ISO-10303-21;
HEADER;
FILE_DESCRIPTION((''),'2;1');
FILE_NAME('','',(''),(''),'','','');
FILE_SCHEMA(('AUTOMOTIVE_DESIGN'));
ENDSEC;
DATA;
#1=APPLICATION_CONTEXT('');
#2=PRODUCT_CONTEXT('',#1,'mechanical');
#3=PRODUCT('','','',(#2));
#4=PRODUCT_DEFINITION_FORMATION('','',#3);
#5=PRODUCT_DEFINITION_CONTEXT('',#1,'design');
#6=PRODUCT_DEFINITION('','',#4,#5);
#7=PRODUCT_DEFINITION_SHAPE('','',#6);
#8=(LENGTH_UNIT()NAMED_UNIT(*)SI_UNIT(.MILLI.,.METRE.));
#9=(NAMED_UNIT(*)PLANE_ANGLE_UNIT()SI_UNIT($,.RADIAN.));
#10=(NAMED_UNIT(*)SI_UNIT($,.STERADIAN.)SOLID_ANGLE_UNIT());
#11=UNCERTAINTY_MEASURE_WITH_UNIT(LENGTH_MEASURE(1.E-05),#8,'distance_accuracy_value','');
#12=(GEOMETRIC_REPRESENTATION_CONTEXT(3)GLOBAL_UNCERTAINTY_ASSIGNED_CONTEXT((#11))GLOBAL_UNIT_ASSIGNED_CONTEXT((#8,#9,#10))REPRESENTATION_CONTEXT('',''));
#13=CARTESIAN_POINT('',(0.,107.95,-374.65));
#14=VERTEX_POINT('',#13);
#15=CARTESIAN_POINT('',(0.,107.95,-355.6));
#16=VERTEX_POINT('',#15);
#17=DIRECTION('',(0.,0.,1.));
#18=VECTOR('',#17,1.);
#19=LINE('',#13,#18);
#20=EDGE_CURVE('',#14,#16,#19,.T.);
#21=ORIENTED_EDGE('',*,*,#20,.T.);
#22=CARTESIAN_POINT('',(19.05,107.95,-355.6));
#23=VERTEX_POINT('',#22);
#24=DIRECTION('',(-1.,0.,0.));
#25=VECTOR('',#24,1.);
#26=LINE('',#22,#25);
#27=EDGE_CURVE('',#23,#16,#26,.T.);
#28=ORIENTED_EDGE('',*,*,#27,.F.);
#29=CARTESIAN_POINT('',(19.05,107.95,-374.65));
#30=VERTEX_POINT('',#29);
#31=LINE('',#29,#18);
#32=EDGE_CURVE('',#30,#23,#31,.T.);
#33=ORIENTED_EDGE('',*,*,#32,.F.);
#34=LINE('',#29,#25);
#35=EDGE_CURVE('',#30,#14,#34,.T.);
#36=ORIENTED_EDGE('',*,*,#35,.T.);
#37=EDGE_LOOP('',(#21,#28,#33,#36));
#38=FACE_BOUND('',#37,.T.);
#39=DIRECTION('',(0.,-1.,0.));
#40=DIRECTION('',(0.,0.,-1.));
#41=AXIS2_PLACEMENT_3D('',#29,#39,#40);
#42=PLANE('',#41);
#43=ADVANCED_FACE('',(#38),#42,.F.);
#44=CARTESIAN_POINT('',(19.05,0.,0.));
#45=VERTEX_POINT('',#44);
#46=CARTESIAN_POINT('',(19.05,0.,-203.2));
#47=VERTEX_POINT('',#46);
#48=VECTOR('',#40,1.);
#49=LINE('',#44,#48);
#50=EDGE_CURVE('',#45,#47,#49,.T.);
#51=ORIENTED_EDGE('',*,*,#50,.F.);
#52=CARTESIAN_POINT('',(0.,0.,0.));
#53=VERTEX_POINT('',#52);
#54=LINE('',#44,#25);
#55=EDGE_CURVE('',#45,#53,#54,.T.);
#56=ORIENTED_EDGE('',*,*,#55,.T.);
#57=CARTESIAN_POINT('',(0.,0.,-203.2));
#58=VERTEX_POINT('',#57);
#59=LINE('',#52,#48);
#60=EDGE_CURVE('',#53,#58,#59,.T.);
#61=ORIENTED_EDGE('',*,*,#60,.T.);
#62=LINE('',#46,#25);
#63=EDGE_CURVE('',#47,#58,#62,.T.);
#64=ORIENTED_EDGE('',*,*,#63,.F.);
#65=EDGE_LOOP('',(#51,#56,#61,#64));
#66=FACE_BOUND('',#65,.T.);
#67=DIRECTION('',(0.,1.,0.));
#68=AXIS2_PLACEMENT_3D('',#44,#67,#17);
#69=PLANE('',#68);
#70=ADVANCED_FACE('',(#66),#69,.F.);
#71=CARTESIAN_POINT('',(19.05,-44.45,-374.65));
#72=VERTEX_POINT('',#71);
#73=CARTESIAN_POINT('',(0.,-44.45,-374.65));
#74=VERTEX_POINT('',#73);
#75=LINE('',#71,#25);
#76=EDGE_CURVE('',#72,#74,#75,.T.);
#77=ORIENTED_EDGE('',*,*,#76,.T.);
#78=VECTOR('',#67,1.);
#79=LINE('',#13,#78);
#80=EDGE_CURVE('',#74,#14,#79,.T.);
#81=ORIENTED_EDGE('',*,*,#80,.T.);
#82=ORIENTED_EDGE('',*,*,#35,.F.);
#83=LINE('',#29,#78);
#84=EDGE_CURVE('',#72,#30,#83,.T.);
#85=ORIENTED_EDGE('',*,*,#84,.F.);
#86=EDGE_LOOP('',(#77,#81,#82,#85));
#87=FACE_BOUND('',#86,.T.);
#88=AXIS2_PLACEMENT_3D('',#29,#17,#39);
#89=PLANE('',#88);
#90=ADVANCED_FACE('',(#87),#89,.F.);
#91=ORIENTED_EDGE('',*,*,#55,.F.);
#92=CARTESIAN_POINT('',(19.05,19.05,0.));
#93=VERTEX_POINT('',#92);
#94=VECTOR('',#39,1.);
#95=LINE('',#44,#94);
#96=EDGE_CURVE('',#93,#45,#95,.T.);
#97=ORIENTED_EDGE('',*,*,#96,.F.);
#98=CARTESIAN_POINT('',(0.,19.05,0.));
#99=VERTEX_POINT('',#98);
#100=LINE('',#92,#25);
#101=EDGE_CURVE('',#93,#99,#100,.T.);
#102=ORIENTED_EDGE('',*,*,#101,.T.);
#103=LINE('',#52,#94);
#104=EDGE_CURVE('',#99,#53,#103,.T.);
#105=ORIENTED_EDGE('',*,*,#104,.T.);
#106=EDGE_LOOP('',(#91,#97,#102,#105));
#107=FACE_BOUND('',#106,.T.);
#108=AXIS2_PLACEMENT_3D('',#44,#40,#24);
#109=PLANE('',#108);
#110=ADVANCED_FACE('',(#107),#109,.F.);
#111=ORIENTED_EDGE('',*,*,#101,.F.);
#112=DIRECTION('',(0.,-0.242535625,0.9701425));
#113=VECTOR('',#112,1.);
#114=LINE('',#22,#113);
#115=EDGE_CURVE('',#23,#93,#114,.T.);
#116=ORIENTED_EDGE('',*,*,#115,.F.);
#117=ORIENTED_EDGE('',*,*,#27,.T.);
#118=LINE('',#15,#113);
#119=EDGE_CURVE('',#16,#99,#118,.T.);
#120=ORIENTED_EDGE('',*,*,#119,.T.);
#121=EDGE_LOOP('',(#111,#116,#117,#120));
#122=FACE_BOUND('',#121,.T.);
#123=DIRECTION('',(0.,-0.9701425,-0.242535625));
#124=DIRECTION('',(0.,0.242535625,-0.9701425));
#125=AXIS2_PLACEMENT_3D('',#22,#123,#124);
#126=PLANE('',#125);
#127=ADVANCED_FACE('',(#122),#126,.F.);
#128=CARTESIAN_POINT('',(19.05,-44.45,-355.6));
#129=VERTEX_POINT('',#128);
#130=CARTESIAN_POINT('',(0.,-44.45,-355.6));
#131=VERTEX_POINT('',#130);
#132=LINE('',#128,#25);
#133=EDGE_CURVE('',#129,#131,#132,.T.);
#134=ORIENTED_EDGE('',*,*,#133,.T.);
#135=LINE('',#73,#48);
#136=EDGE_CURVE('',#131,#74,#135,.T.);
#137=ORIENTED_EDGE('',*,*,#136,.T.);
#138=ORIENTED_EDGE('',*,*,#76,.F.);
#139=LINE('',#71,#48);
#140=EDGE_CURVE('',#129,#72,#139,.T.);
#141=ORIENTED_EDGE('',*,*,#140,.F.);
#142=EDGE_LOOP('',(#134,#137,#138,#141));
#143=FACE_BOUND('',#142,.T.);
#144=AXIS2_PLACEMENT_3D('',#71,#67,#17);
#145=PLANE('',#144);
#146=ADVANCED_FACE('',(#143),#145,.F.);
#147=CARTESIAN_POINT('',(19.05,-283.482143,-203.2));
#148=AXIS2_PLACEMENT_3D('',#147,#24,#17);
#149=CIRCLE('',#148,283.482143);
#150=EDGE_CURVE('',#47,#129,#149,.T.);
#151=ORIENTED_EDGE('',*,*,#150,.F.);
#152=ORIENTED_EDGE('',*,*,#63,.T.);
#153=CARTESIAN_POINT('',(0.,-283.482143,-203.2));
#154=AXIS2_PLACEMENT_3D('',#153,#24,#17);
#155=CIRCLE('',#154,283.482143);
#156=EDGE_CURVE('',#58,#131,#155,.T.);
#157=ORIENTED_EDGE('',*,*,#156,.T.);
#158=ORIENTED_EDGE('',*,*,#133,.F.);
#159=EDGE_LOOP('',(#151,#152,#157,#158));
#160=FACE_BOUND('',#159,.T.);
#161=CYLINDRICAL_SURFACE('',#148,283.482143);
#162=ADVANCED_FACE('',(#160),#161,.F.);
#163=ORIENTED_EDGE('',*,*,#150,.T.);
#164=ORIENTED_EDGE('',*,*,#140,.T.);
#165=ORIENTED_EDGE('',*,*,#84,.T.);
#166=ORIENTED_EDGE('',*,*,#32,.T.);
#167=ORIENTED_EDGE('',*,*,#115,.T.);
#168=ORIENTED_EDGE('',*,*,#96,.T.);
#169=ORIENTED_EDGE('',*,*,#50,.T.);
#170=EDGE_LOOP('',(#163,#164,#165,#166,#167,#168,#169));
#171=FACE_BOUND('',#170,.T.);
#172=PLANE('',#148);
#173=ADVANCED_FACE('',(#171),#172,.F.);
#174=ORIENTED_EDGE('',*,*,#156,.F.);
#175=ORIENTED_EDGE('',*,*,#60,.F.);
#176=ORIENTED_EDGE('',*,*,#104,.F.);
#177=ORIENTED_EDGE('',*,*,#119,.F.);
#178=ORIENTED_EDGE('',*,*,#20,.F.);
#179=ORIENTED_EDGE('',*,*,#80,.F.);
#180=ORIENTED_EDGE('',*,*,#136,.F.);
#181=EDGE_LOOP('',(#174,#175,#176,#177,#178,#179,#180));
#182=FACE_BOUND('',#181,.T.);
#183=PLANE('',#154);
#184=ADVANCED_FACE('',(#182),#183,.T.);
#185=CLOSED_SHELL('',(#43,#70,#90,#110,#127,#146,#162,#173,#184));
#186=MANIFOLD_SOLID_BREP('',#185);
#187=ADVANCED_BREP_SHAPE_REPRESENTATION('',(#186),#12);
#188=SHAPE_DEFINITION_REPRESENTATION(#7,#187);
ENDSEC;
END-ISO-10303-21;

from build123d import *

# Parameters (mm, degrees)
BOSS_EXTRUDE1_DEPTH = 19.05


with BuildPart() as part:
    # Sketch1 → Boss-Extrude1 (new body)
    with BuildSketch(Plane(origin=(0, 0, 0), x_dir=(0, 0, -1), z_dir=(1, 0, 0))):
        with BuildLine():
            Line((0, 0), (203.2, 0))
            ThreePointArc((203.2, 0), (282.575, -11.339285714), (355.6, -44.45))
            Line((355.6, -44.45), (374.65, -44.45))
            Line((374.65, -44.45), (374.65, 107.95))
            Line((374.65, 107.95), (355.6, 107.95))
            Line((355.6, 107.95), (0, 19.05))
            Line((0, 19.05), (0, 0))
        make_face()
    extrude(amount=BOSS_EXTRUDE1_DEPTH)


solid = part.part
